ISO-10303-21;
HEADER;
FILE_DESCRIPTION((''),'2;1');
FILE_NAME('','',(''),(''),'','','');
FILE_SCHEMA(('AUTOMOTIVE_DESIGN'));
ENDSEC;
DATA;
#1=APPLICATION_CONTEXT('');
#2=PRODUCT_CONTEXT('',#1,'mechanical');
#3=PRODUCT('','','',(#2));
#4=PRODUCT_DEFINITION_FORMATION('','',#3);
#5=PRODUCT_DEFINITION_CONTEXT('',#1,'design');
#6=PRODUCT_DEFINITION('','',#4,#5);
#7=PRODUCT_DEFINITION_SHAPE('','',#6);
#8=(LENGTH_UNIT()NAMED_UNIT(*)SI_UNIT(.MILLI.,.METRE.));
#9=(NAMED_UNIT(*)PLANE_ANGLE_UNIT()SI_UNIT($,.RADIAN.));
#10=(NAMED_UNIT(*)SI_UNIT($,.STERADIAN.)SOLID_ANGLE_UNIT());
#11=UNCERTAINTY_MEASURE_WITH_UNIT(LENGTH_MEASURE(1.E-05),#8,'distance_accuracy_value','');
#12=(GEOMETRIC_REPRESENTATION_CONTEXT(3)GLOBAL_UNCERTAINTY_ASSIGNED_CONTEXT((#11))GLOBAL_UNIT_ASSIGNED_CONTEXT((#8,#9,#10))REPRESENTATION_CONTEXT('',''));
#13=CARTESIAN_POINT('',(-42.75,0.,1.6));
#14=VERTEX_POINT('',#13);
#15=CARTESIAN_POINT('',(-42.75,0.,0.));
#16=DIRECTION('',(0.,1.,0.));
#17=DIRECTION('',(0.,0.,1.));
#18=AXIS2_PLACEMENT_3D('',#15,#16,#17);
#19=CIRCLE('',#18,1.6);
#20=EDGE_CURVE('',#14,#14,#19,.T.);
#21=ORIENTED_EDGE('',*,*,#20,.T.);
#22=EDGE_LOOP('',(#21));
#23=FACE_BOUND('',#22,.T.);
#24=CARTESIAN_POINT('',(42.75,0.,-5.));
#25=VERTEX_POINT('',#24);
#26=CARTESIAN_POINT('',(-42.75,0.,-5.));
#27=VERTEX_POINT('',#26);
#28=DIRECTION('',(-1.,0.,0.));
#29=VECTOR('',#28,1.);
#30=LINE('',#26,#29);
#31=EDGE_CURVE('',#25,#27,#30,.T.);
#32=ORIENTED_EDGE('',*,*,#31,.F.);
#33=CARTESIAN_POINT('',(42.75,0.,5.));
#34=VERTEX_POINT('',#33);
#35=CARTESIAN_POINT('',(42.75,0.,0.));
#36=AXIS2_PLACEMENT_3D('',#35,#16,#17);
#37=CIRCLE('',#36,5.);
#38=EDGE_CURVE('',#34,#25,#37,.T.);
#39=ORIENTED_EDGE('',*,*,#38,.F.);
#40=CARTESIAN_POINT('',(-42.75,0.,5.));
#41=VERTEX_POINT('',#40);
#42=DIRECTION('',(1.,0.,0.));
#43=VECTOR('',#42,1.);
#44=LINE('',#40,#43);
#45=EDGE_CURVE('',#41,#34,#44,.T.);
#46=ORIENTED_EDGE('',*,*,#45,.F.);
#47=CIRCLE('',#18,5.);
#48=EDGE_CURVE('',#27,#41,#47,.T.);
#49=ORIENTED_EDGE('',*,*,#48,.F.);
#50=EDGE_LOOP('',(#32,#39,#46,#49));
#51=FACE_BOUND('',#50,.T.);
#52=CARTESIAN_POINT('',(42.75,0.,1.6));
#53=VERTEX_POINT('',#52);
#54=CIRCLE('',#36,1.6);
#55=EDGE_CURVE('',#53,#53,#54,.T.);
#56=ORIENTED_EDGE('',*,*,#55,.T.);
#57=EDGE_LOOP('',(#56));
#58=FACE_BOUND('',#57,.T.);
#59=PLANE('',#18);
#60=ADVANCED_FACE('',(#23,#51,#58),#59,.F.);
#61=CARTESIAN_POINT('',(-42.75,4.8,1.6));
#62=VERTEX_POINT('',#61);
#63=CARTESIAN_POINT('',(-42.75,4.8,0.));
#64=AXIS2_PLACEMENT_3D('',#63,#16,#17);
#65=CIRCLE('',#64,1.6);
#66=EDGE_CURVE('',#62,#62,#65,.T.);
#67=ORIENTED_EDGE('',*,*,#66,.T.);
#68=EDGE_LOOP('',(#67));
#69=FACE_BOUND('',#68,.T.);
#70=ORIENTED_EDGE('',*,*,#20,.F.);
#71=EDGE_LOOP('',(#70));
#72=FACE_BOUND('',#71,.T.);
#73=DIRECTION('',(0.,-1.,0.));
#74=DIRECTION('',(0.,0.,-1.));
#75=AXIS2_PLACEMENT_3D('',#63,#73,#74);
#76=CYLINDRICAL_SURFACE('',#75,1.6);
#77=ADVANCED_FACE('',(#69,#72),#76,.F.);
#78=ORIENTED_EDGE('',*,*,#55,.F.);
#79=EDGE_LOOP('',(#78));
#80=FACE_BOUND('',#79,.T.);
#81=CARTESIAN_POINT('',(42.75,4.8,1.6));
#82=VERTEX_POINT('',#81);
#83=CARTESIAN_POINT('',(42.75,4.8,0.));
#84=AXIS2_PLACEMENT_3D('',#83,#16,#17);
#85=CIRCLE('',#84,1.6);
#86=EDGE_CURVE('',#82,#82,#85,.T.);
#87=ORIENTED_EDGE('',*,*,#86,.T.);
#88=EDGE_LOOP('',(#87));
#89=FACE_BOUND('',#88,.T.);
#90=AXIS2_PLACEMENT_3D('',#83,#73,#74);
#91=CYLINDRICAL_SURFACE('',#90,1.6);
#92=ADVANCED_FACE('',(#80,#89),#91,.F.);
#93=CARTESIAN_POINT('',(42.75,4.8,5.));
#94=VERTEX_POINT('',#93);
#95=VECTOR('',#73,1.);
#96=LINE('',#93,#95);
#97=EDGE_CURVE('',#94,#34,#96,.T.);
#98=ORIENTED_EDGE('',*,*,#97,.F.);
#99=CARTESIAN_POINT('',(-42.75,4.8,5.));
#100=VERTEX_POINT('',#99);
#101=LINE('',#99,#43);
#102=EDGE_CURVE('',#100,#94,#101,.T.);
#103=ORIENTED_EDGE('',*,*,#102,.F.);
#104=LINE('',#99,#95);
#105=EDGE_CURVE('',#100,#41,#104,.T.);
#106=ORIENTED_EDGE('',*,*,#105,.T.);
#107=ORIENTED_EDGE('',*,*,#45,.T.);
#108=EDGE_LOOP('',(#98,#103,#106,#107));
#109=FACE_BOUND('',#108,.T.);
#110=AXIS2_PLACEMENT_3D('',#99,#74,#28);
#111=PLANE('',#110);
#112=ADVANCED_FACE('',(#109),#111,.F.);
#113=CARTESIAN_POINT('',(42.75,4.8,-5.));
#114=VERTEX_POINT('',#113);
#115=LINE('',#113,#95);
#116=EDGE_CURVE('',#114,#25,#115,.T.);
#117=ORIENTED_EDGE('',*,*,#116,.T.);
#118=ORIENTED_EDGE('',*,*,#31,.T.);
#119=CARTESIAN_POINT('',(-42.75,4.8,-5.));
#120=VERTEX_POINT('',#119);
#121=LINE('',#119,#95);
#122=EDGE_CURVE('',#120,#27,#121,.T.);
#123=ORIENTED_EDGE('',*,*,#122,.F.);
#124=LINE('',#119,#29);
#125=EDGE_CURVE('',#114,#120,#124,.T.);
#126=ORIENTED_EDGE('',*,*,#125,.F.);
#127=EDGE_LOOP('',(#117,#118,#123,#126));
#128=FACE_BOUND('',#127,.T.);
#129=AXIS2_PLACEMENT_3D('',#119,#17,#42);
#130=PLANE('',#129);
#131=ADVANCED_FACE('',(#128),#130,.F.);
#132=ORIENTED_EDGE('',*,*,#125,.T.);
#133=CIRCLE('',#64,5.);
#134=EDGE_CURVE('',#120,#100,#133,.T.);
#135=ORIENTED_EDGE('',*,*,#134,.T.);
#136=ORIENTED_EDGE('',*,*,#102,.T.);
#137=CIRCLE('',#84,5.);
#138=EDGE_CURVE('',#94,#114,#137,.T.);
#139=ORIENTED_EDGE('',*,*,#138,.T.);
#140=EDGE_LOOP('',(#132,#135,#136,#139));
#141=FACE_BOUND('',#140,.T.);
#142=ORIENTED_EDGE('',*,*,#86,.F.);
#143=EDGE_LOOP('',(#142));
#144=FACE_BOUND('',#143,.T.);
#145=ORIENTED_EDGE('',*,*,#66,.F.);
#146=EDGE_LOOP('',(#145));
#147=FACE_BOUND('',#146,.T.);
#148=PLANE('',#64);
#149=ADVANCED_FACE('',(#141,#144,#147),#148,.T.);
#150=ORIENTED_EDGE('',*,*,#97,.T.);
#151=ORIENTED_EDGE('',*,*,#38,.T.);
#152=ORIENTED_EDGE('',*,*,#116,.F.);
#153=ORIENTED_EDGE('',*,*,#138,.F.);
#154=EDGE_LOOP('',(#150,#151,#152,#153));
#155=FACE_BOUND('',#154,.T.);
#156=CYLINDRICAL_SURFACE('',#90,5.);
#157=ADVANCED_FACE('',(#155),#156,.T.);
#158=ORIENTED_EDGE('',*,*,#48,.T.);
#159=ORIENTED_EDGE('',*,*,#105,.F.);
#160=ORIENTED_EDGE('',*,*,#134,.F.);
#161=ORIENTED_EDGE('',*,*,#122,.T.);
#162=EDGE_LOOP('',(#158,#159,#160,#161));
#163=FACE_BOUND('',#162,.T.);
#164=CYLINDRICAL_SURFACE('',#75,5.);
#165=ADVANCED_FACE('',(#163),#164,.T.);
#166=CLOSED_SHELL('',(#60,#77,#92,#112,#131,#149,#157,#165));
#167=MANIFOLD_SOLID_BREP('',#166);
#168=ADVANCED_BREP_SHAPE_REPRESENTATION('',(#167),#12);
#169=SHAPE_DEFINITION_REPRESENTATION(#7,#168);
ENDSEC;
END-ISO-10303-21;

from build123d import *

# Parameters (mm, degrees)
SKETCH_1_R      = 1.6
EXTRUDE_1_DEPTH = 4.8


with BuildPart() as part:
    # ｽｹｯﾁ1 → ﾎﾞｽ - 押し出し1 (new body)
    with BuildSketch(Plane(origin=(0, 0, 0), x_dir=(1, 0, 0), z_dir=(0, 1, 0))):
        with BuildLine():
            Line((-42.75, 5), (42.75, 5))
            ThreePointArc((42.75, 5), (47.75, 0), (42.75, -5))
            Line((42.75, -5), (-42.75, -5))
            ThreePointArc((-42.75, -5), (-47.75, 0), (-42.75, 5))
        make_face()
        with Locations(Location((-42.75, 0, 0), (0, 0, 270))):
            Circle(SKETCH_1_R, mode=Mode.SUBTRACT)
        with Locations(Location((42.75, 0, 0), (0, 0, 270))):
            Circle(SKETCH_1_R, mode=Mode.SUBTRACT)
    extrude(amount=EXTRUDE_1_DEPTH)


solid = part.part
